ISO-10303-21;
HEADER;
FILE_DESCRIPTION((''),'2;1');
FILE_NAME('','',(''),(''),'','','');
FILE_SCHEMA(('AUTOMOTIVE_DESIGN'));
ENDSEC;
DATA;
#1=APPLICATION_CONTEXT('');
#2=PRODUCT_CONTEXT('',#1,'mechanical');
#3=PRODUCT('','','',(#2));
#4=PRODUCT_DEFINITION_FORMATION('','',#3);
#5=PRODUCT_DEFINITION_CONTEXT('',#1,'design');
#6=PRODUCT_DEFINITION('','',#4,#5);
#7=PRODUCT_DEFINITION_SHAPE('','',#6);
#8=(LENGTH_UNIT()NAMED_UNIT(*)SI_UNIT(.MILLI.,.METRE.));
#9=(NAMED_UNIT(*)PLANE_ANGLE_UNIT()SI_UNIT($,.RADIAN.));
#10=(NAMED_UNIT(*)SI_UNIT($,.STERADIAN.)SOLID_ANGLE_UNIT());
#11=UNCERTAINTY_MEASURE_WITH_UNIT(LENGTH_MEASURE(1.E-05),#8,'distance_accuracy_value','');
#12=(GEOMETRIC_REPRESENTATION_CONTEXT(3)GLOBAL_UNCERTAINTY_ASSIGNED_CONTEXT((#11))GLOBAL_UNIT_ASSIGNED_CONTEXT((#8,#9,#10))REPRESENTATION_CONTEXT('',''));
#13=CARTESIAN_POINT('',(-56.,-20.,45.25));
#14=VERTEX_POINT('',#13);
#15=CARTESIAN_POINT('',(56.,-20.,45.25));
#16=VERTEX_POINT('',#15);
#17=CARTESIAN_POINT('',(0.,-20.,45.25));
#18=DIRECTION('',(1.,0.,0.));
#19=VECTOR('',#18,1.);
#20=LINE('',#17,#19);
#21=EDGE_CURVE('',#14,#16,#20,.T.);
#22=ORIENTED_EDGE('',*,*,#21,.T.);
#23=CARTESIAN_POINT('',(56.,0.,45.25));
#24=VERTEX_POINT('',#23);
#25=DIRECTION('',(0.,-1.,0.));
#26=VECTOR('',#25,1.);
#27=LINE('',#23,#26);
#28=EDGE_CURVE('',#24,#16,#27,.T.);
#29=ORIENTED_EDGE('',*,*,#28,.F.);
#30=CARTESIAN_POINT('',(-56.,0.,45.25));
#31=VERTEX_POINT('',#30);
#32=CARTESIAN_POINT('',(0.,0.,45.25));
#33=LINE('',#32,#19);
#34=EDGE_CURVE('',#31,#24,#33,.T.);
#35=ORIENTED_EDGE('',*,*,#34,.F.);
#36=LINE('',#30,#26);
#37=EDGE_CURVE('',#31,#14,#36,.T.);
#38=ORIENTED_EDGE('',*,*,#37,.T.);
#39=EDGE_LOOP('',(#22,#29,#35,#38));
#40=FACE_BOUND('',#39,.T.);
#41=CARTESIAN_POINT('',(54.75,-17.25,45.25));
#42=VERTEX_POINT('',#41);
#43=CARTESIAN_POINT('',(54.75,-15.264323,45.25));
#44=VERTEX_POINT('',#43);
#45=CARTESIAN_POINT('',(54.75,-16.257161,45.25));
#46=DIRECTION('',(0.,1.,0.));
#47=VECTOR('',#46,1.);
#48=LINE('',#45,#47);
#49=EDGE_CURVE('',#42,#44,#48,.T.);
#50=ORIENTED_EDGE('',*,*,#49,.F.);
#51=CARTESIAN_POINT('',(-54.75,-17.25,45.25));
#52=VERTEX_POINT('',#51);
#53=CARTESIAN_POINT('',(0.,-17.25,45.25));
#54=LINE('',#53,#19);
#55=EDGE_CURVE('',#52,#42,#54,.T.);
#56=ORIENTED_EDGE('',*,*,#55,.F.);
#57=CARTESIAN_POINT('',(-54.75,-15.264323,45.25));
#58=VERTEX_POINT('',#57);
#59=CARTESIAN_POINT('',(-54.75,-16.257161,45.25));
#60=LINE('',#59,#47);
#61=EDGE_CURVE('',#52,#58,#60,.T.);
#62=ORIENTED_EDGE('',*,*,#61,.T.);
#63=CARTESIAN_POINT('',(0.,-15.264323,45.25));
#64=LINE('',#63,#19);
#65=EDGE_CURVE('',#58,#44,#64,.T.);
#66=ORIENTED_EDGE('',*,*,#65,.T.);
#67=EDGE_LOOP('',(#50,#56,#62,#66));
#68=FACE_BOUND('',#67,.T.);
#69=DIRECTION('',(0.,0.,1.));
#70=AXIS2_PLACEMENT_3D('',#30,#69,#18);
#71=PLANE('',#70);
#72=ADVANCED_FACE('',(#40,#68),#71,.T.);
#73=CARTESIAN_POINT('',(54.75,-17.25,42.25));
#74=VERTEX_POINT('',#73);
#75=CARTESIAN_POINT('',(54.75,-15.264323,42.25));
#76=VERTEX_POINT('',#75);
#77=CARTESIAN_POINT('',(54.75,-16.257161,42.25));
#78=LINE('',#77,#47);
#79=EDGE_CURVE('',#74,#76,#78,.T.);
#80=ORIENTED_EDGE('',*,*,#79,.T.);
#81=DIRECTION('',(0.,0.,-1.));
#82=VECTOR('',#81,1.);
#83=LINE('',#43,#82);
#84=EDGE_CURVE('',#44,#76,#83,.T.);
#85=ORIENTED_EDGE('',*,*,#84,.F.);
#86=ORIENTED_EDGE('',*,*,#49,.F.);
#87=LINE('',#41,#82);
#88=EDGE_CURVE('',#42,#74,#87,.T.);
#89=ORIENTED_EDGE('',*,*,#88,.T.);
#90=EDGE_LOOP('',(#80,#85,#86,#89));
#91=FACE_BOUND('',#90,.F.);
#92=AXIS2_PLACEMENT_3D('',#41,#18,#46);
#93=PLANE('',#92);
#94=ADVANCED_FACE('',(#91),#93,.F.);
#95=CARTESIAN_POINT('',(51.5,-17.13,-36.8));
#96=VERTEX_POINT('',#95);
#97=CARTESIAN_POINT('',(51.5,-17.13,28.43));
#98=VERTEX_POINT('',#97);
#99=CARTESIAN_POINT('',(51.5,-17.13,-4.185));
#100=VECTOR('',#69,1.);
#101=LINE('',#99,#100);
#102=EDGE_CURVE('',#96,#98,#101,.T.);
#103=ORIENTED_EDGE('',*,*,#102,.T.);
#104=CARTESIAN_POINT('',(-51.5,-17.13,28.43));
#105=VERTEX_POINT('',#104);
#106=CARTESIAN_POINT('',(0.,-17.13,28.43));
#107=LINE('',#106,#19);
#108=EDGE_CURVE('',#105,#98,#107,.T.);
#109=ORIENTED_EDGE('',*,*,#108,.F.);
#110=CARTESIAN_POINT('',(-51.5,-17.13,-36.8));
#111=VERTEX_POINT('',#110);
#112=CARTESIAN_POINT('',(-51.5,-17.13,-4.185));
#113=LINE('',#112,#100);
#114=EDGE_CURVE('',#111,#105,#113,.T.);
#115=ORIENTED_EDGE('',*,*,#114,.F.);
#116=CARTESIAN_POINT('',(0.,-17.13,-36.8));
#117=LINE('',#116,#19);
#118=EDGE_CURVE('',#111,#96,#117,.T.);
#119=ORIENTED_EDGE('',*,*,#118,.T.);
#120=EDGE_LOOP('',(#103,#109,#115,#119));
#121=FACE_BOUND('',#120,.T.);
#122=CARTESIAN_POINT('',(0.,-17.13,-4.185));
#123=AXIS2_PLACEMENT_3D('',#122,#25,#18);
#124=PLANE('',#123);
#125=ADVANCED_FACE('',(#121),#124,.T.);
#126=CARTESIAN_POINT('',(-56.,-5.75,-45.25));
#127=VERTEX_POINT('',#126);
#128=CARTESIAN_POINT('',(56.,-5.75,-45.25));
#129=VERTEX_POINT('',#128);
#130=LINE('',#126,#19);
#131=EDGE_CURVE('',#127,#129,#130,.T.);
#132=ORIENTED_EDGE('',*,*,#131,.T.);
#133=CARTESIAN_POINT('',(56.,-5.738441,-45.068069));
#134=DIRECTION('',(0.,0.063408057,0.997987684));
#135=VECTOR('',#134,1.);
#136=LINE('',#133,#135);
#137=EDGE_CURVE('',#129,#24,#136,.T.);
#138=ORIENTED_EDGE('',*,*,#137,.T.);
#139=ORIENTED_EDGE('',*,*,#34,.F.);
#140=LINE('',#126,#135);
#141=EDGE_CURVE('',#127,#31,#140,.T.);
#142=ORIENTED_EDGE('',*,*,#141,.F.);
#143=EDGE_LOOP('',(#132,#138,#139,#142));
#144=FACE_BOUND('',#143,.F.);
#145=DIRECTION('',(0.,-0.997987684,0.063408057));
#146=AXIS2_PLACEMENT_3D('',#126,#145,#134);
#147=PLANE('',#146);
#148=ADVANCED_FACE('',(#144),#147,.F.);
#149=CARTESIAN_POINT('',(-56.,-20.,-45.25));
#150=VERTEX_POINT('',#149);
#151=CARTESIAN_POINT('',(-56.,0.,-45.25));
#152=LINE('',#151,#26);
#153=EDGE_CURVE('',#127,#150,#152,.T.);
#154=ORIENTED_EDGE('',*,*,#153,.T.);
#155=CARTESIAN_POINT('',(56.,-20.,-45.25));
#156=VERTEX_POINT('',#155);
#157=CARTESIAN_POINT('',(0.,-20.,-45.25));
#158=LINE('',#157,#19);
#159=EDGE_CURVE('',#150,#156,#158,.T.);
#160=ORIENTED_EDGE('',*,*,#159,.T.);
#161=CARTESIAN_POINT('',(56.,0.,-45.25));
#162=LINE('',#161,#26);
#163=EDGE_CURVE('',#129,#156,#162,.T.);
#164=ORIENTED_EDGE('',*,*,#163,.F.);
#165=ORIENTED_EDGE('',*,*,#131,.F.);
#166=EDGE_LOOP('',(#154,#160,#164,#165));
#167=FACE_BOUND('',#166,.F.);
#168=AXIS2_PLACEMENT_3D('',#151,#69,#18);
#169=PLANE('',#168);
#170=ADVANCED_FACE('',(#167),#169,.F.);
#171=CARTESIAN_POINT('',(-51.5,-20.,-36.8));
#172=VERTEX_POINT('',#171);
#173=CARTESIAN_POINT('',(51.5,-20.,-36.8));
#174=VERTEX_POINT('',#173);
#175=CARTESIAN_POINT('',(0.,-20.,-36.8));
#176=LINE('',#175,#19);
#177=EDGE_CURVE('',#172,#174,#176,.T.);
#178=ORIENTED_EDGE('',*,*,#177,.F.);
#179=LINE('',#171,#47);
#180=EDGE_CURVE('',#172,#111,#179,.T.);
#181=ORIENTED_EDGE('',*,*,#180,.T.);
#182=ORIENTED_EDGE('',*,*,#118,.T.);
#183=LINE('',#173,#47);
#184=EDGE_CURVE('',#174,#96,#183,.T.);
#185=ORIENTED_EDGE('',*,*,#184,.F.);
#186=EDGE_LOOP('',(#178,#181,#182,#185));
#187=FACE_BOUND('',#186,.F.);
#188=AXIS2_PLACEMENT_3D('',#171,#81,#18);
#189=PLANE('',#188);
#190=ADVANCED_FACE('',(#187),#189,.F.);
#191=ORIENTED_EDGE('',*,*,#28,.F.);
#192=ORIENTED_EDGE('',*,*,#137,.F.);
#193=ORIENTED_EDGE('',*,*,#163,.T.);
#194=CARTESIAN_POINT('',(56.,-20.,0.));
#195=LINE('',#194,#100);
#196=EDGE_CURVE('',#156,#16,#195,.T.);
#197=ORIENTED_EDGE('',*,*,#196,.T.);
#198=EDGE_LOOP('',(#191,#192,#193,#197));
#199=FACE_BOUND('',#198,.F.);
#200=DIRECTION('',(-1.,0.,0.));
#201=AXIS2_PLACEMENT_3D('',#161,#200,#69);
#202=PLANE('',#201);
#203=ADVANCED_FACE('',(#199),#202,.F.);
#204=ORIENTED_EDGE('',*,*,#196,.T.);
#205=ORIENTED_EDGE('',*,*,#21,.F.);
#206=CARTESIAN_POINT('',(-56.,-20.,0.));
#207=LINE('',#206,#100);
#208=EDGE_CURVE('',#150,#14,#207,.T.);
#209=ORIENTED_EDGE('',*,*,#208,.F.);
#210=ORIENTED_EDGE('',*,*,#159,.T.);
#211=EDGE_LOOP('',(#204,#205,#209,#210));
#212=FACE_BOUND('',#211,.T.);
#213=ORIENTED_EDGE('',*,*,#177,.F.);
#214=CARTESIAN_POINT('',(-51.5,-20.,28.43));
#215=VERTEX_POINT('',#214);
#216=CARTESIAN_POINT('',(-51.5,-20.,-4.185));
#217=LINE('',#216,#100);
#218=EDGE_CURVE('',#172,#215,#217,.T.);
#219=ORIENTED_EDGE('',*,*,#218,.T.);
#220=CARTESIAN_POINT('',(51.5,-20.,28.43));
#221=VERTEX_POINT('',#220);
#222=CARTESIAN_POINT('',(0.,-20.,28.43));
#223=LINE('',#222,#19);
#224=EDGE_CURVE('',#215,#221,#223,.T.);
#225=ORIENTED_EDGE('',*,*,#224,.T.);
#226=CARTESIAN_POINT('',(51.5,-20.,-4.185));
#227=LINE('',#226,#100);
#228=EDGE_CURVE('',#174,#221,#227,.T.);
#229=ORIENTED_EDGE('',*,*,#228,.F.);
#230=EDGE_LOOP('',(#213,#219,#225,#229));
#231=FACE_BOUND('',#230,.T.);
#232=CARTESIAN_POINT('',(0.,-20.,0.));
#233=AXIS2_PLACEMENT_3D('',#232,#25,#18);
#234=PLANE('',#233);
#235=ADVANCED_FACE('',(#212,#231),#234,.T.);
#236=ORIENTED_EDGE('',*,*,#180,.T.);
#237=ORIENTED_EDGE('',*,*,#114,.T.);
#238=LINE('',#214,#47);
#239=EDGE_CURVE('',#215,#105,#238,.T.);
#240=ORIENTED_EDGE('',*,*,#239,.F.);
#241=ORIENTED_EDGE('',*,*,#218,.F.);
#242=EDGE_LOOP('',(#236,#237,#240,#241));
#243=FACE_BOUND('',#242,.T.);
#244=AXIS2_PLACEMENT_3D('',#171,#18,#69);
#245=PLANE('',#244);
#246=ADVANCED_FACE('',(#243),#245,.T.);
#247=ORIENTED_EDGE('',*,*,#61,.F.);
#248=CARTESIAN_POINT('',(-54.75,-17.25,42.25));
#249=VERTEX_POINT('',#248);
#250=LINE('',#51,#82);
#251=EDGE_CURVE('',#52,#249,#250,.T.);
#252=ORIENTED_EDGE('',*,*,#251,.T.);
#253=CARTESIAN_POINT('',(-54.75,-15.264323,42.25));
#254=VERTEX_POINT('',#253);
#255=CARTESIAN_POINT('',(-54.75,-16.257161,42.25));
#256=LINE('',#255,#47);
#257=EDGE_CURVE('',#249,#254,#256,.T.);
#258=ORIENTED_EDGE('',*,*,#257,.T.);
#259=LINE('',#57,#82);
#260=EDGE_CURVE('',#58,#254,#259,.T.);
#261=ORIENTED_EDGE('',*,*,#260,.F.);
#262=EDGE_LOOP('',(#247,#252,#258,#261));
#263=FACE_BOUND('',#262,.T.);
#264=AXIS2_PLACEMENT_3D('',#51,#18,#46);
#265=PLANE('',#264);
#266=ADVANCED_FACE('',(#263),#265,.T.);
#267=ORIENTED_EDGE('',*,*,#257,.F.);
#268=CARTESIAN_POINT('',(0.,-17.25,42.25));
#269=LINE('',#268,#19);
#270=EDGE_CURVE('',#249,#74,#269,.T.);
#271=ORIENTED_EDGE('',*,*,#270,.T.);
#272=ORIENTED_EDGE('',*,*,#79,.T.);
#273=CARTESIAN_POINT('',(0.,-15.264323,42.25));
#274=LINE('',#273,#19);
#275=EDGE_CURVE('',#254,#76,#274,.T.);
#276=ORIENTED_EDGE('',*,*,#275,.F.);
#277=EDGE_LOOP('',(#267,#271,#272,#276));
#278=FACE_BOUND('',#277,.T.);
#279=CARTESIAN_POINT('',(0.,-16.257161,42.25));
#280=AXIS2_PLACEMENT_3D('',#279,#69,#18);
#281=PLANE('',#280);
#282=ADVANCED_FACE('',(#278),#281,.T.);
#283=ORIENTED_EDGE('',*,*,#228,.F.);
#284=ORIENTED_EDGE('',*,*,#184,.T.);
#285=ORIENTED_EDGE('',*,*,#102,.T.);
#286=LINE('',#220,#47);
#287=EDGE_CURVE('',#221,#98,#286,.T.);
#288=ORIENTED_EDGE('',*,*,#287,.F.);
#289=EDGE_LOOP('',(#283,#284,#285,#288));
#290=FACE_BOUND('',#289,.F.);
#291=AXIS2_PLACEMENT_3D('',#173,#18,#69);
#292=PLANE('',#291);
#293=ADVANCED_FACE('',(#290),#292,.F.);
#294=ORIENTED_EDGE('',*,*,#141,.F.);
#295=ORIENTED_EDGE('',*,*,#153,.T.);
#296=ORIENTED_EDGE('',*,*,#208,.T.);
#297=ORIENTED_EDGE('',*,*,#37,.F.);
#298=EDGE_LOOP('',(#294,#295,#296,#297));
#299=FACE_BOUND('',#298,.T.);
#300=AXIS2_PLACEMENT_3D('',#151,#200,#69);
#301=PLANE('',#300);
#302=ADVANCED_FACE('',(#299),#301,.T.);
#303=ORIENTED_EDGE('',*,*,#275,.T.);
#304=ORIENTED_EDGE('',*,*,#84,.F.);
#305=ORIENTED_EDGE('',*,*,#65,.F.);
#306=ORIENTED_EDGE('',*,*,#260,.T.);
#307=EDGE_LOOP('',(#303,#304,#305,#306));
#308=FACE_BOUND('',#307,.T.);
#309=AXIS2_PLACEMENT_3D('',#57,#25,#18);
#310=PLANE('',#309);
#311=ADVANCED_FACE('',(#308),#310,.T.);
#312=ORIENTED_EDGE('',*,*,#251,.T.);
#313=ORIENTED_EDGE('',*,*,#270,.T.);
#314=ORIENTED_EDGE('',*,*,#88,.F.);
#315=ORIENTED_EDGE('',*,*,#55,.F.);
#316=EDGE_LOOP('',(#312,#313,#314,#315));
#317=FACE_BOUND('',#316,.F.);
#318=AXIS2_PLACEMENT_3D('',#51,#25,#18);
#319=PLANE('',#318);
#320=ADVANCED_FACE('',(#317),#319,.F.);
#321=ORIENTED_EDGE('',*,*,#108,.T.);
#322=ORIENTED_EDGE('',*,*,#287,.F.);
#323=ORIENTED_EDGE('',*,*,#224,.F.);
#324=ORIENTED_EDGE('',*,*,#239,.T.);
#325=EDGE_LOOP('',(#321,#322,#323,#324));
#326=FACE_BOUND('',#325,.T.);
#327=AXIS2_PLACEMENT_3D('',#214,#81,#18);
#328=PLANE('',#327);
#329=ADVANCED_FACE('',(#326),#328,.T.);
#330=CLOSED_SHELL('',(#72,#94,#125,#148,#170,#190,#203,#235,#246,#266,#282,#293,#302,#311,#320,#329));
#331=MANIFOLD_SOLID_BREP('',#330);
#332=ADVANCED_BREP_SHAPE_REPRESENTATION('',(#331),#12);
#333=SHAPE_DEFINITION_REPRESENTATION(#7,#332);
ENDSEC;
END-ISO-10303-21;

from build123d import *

# Parameters (mm, degrees)
F0_W     = 112
F0_H     = 90.5
F1_DEPTH = 20
F3_DEPTH = 200
F4_W     = 103
F4_H     = 65.23
F5_DEPTH = 2.87
F6_W     = 109.5
F6_H     = 1.985677
F7_DEPTH = 3


with BuildPart() as f1:
    # F0 (on Front) → F1 (new body)
    with BuildSketch(Plane.XZ):
        Rectangle(F0_W, F0_H)
    extrude(amount=F1_DEPTH)

    # F2 (on face) → F3 (cut)
    with BuildSketch(Plane(origin=(-56, 0, 0), x_dir=(0, -1, 0), z_dir=(-1, 0, 0))):
        Polygon((5.75, -45.25), (0, 45.25), (0, -45.25), align=None)
    extrude(amount=-F3_DEPTH, mode=Mode.SUBTRACT)

    # F4 (on face) → F5 (cut)
    with BuildSketch(Plane.XZ.offset(20)):
        with Locations((0, -4.185)):
            Rectangle(F4_W, F4_H)
    extrude(amount=-F5_DEPTH, mode=Mode.SUBTRACT)

    # F6 (on face) → F7 (cut)
    with BuildSketch(Plane.XY.offset(45.25)):
        with Locations((0, -16.257161)):
            Rectangle(F6_W, F6_H)
    extrude(amount=-F7_DEPTH, mode=Mode.SUBTRACT)


solid = f1.part
